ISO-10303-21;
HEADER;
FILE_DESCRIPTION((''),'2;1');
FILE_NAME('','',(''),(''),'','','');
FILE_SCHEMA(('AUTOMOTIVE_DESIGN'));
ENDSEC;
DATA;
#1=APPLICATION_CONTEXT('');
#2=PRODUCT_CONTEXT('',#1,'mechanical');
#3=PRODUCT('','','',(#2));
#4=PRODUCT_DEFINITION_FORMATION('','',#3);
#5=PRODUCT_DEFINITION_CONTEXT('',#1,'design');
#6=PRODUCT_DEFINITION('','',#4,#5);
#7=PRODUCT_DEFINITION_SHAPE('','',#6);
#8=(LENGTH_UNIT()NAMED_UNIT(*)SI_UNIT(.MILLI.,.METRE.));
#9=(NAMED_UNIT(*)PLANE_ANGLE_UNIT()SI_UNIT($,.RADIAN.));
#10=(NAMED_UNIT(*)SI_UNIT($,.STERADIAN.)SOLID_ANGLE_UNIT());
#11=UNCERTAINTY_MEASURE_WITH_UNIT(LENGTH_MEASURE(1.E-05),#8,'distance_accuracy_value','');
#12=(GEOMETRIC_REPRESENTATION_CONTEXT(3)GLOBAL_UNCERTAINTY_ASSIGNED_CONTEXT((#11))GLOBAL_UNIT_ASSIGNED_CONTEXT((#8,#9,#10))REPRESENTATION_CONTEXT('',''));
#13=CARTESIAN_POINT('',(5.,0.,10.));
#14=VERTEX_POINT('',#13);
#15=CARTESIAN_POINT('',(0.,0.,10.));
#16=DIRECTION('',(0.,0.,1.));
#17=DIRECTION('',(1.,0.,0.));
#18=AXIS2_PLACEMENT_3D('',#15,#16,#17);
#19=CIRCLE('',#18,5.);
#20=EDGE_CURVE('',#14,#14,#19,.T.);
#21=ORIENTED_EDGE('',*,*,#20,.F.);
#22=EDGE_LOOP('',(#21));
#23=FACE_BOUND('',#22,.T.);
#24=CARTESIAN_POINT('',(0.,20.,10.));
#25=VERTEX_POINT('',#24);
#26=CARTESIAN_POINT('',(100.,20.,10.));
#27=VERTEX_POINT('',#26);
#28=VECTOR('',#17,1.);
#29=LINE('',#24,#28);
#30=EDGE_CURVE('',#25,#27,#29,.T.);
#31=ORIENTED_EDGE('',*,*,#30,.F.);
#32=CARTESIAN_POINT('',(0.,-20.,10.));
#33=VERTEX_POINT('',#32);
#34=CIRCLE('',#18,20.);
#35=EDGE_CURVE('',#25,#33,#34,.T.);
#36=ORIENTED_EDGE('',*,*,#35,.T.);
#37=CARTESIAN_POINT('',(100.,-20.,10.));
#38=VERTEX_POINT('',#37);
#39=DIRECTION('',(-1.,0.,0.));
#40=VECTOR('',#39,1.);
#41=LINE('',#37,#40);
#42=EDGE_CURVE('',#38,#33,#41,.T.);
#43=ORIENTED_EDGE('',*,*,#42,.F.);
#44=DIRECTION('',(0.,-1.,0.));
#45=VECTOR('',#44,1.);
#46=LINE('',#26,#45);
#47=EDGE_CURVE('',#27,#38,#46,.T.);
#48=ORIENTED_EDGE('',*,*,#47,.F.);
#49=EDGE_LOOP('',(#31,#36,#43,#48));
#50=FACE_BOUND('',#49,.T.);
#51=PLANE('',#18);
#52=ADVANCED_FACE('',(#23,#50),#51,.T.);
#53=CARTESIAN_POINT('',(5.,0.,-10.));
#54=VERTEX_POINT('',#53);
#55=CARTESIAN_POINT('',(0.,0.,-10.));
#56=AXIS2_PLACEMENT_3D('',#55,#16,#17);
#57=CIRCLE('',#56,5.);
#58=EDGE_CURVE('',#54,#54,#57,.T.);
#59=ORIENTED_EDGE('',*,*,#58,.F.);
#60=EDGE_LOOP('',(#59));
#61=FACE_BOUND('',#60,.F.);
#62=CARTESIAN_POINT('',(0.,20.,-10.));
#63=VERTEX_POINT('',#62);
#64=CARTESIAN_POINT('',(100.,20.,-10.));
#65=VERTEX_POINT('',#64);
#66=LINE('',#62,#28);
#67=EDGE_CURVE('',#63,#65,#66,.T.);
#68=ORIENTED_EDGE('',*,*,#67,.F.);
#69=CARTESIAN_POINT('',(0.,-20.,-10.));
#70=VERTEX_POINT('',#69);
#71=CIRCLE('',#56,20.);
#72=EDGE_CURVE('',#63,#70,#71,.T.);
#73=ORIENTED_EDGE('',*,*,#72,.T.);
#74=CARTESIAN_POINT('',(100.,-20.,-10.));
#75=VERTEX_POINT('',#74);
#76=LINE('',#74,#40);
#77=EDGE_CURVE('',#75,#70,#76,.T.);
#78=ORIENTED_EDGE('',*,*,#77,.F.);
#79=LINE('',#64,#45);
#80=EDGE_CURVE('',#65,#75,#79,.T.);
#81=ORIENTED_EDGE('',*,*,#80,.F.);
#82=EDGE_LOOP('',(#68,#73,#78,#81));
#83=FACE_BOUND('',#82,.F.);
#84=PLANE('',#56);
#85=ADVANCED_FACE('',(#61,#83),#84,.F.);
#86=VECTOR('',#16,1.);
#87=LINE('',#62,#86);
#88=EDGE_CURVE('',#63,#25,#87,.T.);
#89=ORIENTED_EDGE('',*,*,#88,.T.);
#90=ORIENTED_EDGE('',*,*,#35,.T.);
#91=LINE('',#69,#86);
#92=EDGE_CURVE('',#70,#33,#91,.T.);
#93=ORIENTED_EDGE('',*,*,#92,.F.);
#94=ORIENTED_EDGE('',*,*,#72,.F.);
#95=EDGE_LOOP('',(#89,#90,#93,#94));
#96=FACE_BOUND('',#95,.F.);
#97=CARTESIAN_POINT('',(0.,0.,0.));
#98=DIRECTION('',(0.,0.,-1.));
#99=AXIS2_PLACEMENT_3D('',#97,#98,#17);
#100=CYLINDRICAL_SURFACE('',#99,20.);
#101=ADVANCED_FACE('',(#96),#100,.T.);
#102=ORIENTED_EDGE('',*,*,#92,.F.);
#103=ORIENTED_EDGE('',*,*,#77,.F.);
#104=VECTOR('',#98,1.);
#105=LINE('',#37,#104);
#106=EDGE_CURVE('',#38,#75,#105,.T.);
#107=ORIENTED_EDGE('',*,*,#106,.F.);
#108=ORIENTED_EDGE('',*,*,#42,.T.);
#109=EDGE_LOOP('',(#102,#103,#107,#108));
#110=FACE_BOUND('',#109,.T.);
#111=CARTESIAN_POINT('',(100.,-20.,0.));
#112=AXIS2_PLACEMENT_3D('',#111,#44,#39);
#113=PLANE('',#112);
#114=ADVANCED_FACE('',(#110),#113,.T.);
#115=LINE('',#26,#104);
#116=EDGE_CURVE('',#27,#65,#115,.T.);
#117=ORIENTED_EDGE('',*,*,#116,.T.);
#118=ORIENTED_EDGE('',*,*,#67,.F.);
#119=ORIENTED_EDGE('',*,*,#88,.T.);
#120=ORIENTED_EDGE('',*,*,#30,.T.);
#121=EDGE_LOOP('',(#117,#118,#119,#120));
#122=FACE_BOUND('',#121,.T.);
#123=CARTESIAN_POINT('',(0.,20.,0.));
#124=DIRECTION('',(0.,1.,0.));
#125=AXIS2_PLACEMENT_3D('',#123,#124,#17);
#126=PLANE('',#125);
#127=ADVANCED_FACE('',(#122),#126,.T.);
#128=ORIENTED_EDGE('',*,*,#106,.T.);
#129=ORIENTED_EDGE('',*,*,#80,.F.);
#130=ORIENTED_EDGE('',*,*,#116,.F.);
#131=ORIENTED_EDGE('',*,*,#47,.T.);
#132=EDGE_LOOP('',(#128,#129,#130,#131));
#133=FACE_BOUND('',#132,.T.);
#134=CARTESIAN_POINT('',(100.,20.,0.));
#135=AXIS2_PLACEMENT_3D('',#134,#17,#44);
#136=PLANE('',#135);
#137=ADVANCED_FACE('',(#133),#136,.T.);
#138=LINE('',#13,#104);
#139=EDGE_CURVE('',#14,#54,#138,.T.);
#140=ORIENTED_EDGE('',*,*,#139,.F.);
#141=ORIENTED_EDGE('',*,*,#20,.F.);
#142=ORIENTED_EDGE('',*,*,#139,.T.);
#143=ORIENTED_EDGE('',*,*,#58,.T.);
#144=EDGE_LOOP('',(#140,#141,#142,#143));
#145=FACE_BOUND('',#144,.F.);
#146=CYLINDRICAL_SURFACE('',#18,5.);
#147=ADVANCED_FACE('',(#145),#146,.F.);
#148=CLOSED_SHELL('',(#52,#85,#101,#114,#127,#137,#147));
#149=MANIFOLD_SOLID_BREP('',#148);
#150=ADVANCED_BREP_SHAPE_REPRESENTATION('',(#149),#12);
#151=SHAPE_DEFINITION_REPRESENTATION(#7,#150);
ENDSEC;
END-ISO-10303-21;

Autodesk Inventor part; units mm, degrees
ref_plane "YZ Plane" through (0, 0, 0) normal (1, 0, 0) x (0, 1, 0)
ref_plane "XZ Plane" through (0, 0, 0) normal (0, 1, 0) x (-1, 0, 0)
ref_plane "XY Plane" through (0, 0, 0) normal (0, 0, 1) x (1, 0, 0)
sketch "スケッチ1" plane through (0, 0, 0) normal (0, 0, 1) x (1, 0, 0)
  line L0 (0, 20) -> (100, 20)
  line L1 (100, 20) -> (100, -20)
  line L2 (100, -20) -> (0, -20)
  line L3 (0, -20) -> (0, 20)
  circle A0 centre (0, 0) radius 20
  dimension "d0" = 100
  dimension "d1" = 40
  dimension "d2" = 20
  dimension "d3" = 100
extrude "押し出し1" add sketch "スケッチ1" along normal mid plane 20
sketch "スケッチ2" plane through (0, 0, 10) normal (0, 0, 1) x (1, 0, 0)
  circle A0 centre (0, 0) radius 5
  dimension "d6" = 10
extrude "押し出し2" cut sketch "スケッチ2" against normal through all
equation "\"d2\" = 0.5 * d1"
equation "\"d3\" = d0"
equation "\"d7\" = d6"
properties part number "Base" material "ゴールド"
